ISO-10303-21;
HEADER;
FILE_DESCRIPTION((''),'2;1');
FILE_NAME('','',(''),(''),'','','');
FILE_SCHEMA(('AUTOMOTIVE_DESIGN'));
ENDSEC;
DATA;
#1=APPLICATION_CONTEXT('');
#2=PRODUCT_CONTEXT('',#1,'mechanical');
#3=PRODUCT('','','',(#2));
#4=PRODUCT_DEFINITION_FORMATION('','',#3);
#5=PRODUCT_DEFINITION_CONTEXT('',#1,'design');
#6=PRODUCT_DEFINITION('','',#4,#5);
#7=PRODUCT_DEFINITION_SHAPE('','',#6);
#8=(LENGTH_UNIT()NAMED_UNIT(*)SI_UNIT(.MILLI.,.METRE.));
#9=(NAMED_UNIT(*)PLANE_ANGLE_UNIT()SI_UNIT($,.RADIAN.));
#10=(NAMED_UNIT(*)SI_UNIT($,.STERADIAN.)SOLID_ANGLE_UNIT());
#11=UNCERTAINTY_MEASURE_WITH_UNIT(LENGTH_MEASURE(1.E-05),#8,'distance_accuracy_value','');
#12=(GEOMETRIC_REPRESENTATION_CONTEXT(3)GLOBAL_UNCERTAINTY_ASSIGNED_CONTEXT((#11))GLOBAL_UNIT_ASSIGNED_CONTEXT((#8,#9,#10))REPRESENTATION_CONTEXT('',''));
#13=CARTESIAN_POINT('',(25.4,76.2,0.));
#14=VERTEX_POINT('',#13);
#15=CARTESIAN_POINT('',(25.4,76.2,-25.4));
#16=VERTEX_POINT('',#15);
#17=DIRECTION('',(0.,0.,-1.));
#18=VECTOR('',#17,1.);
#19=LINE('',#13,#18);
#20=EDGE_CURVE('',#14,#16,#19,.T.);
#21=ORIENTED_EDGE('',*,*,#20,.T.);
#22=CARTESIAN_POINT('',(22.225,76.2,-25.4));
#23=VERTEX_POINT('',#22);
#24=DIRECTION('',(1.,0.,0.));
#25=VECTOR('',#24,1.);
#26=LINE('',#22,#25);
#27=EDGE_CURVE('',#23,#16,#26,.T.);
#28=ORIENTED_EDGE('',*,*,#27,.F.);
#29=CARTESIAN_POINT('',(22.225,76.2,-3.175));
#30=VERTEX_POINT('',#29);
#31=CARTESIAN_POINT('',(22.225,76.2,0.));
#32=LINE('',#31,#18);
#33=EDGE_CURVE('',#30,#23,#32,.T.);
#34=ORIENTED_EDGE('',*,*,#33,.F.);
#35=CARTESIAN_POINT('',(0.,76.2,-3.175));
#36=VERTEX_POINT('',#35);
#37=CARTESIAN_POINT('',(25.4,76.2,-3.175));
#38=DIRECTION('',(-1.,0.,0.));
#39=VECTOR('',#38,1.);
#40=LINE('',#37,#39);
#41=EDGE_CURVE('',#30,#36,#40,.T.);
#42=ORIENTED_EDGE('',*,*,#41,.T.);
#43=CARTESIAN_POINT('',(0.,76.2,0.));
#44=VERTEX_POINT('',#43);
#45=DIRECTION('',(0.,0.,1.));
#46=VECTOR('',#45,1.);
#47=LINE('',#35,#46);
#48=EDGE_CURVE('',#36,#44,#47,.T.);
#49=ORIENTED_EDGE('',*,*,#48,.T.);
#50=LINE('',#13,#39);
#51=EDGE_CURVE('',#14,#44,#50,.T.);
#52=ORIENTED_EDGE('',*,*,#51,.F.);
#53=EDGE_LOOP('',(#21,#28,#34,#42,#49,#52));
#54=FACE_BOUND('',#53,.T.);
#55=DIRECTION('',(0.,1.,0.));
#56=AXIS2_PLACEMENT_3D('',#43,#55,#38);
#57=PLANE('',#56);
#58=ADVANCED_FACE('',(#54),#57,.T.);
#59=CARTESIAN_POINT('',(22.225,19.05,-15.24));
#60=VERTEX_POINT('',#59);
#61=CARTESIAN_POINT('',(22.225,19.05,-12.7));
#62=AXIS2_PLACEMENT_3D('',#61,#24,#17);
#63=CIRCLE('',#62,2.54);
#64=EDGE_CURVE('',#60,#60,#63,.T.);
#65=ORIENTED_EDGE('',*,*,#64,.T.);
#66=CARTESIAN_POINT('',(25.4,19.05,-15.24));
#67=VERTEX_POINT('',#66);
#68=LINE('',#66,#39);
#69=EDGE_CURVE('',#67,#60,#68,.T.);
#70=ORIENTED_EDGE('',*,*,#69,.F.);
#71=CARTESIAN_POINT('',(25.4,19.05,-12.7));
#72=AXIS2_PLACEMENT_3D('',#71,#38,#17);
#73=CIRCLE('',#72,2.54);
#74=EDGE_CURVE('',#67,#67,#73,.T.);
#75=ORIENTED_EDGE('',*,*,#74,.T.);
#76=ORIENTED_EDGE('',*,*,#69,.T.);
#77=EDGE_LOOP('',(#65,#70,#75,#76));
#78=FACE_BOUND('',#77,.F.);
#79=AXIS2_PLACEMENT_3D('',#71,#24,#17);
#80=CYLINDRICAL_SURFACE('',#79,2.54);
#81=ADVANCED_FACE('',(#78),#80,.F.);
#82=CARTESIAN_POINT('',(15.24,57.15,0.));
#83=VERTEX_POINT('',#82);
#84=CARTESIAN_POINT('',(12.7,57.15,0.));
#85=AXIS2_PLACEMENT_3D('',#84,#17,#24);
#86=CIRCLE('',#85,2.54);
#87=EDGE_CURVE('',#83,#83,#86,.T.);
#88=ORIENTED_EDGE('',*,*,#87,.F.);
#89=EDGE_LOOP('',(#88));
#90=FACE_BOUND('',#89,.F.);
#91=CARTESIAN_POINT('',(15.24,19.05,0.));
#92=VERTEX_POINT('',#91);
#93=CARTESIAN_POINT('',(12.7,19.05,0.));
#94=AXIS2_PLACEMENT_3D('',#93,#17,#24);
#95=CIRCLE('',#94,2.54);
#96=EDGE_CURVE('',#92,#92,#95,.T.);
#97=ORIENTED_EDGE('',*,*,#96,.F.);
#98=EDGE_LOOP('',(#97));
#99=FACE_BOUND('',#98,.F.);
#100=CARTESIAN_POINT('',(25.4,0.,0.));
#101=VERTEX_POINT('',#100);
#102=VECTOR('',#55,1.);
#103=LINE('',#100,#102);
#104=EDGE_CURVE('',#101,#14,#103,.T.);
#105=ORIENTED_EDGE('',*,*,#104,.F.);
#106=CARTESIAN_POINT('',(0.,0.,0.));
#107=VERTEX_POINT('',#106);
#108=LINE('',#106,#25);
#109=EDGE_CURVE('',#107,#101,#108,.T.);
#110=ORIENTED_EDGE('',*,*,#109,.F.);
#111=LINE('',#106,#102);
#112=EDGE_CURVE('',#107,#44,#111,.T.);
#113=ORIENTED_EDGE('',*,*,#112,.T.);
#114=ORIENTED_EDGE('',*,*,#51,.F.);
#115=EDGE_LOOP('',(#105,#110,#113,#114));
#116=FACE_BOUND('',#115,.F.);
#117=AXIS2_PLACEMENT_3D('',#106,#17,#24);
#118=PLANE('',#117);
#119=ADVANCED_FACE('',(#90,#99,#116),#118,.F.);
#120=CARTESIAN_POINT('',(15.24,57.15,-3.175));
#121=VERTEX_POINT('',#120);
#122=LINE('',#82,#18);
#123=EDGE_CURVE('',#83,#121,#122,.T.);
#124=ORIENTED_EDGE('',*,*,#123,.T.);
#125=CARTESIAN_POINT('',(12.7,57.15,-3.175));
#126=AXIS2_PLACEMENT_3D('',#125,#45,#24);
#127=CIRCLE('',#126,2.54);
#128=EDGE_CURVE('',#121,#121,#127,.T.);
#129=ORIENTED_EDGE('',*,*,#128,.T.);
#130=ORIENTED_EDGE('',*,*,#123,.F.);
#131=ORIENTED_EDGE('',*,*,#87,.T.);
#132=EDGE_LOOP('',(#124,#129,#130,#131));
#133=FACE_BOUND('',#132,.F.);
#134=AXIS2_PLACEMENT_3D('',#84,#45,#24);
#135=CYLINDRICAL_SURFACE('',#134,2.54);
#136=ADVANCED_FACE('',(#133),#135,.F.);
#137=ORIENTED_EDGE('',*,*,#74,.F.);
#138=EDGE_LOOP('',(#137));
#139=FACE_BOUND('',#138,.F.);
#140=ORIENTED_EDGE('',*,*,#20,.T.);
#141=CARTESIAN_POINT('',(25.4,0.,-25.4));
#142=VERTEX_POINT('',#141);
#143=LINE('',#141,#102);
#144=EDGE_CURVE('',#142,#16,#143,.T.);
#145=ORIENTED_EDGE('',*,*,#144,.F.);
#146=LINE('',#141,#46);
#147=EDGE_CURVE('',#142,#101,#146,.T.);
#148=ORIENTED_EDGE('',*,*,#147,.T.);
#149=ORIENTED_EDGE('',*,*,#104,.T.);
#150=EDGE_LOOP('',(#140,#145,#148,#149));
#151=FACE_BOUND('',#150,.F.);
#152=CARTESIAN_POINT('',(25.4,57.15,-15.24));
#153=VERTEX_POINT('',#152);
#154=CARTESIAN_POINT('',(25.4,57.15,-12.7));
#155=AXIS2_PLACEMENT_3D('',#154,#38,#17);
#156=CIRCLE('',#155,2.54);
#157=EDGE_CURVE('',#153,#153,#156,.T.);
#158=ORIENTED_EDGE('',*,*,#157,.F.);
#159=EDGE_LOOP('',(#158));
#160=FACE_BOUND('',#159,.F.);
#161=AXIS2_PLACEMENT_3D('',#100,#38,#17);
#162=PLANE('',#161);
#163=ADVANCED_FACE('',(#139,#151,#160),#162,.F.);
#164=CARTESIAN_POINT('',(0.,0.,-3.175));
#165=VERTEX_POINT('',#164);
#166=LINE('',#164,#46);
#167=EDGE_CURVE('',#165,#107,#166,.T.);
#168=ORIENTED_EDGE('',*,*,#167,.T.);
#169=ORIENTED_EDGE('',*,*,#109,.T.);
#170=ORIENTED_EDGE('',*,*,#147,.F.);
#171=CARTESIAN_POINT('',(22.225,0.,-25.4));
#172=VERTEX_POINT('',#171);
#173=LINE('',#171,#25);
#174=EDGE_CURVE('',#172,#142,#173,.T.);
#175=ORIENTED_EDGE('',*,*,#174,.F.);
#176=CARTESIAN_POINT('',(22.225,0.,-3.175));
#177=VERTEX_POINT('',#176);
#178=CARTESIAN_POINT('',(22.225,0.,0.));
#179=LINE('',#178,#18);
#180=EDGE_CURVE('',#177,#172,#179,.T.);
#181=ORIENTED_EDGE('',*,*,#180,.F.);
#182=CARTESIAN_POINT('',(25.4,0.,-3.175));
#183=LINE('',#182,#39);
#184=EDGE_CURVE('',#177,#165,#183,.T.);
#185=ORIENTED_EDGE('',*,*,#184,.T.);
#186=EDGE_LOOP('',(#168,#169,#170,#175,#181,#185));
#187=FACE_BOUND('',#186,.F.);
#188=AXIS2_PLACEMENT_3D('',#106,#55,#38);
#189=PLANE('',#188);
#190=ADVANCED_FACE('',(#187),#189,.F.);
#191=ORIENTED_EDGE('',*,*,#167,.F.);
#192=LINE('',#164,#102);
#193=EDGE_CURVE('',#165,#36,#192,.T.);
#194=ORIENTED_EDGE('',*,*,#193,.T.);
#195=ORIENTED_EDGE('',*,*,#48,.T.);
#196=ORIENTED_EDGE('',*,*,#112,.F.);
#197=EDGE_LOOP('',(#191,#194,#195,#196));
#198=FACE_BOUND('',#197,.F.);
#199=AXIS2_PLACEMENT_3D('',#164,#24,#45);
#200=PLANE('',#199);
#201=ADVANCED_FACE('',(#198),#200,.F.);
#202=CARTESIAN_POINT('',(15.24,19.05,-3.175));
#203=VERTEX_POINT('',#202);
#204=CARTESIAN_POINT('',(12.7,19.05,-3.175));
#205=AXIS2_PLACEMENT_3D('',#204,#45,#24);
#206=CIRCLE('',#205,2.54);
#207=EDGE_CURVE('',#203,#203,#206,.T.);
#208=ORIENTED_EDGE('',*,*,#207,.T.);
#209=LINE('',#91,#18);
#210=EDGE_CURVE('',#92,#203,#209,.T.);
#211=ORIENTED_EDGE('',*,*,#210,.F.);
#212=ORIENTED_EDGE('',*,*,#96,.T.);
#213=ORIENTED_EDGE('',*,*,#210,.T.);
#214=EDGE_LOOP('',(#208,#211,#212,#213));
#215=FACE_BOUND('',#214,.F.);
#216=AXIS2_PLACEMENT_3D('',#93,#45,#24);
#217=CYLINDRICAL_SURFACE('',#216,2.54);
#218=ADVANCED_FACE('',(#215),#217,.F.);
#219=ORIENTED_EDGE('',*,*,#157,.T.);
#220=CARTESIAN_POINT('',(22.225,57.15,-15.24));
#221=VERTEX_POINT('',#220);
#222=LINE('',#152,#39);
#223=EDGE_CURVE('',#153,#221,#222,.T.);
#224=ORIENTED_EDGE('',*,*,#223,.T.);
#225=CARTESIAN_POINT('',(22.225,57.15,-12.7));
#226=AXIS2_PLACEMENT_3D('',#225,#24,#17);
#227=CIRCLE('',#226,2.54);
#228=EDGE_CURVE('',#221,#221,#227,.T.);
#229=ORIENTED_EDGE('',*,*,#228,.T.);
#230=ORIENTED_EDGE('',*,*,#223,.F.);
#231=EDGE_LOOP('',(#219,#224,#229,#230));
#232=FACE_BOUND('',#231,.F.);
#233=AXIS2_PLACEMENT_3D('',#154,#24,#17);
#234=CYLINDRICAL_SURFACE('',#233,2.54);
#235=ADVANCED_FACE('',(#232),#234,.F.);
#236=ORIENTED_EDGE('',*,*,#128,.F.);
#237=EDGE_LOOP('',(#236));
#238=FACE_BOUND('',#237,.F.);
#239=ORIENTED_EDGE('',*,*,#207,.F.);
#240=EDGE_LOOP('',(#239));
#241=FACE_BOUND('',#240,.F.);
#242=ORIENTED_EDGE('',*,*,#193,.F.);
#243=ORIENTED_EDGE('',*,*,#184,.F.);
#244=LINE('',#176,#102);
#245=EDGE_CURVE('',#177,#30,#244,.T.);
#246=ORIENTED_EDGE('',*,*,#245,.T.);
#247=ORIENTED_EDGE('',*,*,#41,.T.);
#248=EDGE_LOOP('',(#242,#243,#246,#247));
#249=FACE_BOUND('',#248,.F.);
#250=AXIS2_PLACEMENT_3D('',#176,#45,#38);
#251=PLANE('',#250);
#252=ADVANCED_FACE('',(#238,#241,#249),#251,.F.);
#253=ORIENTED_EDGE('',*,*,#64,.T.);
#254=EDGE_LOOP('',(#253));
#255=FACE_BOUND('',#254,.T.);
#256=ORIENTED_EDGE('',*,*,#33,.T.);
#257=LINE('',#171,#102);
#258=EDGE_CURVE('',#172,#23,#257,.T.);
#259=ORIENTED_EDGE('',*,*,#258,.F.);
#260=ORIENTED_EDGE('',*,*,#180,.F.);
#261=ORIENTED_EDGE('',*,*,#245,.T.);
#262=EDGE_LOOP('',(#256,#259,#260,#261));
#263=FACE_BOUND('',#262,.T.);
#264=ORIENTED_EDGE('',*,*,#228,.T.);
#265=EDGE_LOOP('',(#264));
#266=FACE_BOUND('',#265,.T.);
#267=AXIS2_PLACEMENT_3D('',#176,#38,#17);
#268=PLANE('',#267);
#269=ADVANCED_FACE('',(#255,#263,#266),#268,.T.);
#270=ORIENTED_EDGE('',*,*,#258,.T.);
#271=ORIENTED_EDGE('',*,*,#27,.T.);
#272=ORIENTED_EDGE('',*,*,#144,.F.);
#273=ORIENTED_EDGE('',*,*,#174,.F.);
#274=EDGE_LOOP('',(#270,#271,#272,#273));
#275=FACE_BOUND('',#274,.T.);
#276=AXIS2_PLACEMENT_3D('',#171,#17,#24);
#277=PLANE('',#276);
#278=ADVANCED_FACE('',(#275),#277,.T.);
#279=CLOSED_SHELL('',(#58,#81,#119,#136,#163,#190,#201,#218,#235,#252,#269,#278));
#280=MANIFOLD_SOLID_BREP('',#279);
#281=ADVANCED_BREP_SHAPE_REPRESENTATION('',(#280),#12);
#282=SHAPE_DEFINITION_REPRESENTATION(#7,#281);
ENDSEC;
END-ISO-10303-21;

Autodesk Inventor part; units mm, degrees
ref_plane "YZ Plane" through (0, 0, 0) normal (1, 0, 0) x (0, 1, 0)
ref_plane "XZ Plane" through (0, 0, 0) normal (0, 1, 0) x (-1, 0, 0)
ref_plane "XY Plane" through (0, 0, 0) normal (0, 0, 1) x (1, 0, 0)
sketch "Sketch1" plane through (0, 0, 0) normal (0, 1, 0) x (-1, 0, 0)
  line L0 (0, 0) -> (-25.4, 0)
  line L1 (-25.4, 0) -> (-25.4, -3.175)
  line L2 (-25.4, -3.175) -> (0, -3.175)
  line L3 (0, -3.175) -> (0, 0)
  line L4 (-25.4, 0) -> (-22.225, 0)
  line L5 (-22.225, 0) -> (-22.225, -25.4)
  line L6 (-22.225, -25.4) -> (-25.4, -25.4)
  line L7 (-25.4, -25.4) -> (-25.4, 0)
  dimension "d0" = 25.4
  dimension "d1" = 3.175
  dimension "d2" = 25.4
  dimension "d3" = 3.175
extrude "Extrusion1" add sketch "Sketch1" along normal blind 76.2
sketch "Sketch2" plane through (25.4, 0, 0) normal (1, 0, 0) x (0, 0, -1)
  line L0 (0, 0) -> (0, 76.2) projected
  line L1 (0, 76.2) -> (12.7, 76.2)
  line L2 (12.7, 76.2) -> (12.7, 57.15)
  line L3 (0, 0) -> (25.4, 0) projected
  line L4 (12.7, 0) -> (12.7, 19.05)
  circle A0 centre (12.7, 57.15) radius 2.54
  circle A1 centre (12.7, 19.05) radius 2.54
  dimension "d6" = 12.7
  dimension "d7" = 19.05
  dimension "d8" = 19.05
  dimension "d9" = 5.08
extrude "Extrusion2" cut sketch "Sketch2" against normal blind 25.4
sketch "Sketch3" plane through (0, 0, 0) normal (0, 0, 1) x (1, 0, 0)
  line L0 (0, 0) -> (0, 76.2) projected
  line L1 (0, 76.2) -> (12.7, 76.2)
  line L2 (0, 76.2) -> (25.4, 76.2) projected
  line L3 (12.7, 76.2) -> (12.7, 57.15)
  line L4 (12.7, 0) -> (12.7, 19.05)
  circle A0 centre (12.7, 57.15) radius 2.54
  circle A1 centre (12.7, 19.05) radius 2.54
  dimension "d12" = 19.05
  dimension "d13" = 19.05
  dimension "d14" = 5.08
extrude "Extrusion3" cut sketch "Sketch3" against normal blind 25.4
properties part number "L Bracket 3in" material "Aluminum 6061"
